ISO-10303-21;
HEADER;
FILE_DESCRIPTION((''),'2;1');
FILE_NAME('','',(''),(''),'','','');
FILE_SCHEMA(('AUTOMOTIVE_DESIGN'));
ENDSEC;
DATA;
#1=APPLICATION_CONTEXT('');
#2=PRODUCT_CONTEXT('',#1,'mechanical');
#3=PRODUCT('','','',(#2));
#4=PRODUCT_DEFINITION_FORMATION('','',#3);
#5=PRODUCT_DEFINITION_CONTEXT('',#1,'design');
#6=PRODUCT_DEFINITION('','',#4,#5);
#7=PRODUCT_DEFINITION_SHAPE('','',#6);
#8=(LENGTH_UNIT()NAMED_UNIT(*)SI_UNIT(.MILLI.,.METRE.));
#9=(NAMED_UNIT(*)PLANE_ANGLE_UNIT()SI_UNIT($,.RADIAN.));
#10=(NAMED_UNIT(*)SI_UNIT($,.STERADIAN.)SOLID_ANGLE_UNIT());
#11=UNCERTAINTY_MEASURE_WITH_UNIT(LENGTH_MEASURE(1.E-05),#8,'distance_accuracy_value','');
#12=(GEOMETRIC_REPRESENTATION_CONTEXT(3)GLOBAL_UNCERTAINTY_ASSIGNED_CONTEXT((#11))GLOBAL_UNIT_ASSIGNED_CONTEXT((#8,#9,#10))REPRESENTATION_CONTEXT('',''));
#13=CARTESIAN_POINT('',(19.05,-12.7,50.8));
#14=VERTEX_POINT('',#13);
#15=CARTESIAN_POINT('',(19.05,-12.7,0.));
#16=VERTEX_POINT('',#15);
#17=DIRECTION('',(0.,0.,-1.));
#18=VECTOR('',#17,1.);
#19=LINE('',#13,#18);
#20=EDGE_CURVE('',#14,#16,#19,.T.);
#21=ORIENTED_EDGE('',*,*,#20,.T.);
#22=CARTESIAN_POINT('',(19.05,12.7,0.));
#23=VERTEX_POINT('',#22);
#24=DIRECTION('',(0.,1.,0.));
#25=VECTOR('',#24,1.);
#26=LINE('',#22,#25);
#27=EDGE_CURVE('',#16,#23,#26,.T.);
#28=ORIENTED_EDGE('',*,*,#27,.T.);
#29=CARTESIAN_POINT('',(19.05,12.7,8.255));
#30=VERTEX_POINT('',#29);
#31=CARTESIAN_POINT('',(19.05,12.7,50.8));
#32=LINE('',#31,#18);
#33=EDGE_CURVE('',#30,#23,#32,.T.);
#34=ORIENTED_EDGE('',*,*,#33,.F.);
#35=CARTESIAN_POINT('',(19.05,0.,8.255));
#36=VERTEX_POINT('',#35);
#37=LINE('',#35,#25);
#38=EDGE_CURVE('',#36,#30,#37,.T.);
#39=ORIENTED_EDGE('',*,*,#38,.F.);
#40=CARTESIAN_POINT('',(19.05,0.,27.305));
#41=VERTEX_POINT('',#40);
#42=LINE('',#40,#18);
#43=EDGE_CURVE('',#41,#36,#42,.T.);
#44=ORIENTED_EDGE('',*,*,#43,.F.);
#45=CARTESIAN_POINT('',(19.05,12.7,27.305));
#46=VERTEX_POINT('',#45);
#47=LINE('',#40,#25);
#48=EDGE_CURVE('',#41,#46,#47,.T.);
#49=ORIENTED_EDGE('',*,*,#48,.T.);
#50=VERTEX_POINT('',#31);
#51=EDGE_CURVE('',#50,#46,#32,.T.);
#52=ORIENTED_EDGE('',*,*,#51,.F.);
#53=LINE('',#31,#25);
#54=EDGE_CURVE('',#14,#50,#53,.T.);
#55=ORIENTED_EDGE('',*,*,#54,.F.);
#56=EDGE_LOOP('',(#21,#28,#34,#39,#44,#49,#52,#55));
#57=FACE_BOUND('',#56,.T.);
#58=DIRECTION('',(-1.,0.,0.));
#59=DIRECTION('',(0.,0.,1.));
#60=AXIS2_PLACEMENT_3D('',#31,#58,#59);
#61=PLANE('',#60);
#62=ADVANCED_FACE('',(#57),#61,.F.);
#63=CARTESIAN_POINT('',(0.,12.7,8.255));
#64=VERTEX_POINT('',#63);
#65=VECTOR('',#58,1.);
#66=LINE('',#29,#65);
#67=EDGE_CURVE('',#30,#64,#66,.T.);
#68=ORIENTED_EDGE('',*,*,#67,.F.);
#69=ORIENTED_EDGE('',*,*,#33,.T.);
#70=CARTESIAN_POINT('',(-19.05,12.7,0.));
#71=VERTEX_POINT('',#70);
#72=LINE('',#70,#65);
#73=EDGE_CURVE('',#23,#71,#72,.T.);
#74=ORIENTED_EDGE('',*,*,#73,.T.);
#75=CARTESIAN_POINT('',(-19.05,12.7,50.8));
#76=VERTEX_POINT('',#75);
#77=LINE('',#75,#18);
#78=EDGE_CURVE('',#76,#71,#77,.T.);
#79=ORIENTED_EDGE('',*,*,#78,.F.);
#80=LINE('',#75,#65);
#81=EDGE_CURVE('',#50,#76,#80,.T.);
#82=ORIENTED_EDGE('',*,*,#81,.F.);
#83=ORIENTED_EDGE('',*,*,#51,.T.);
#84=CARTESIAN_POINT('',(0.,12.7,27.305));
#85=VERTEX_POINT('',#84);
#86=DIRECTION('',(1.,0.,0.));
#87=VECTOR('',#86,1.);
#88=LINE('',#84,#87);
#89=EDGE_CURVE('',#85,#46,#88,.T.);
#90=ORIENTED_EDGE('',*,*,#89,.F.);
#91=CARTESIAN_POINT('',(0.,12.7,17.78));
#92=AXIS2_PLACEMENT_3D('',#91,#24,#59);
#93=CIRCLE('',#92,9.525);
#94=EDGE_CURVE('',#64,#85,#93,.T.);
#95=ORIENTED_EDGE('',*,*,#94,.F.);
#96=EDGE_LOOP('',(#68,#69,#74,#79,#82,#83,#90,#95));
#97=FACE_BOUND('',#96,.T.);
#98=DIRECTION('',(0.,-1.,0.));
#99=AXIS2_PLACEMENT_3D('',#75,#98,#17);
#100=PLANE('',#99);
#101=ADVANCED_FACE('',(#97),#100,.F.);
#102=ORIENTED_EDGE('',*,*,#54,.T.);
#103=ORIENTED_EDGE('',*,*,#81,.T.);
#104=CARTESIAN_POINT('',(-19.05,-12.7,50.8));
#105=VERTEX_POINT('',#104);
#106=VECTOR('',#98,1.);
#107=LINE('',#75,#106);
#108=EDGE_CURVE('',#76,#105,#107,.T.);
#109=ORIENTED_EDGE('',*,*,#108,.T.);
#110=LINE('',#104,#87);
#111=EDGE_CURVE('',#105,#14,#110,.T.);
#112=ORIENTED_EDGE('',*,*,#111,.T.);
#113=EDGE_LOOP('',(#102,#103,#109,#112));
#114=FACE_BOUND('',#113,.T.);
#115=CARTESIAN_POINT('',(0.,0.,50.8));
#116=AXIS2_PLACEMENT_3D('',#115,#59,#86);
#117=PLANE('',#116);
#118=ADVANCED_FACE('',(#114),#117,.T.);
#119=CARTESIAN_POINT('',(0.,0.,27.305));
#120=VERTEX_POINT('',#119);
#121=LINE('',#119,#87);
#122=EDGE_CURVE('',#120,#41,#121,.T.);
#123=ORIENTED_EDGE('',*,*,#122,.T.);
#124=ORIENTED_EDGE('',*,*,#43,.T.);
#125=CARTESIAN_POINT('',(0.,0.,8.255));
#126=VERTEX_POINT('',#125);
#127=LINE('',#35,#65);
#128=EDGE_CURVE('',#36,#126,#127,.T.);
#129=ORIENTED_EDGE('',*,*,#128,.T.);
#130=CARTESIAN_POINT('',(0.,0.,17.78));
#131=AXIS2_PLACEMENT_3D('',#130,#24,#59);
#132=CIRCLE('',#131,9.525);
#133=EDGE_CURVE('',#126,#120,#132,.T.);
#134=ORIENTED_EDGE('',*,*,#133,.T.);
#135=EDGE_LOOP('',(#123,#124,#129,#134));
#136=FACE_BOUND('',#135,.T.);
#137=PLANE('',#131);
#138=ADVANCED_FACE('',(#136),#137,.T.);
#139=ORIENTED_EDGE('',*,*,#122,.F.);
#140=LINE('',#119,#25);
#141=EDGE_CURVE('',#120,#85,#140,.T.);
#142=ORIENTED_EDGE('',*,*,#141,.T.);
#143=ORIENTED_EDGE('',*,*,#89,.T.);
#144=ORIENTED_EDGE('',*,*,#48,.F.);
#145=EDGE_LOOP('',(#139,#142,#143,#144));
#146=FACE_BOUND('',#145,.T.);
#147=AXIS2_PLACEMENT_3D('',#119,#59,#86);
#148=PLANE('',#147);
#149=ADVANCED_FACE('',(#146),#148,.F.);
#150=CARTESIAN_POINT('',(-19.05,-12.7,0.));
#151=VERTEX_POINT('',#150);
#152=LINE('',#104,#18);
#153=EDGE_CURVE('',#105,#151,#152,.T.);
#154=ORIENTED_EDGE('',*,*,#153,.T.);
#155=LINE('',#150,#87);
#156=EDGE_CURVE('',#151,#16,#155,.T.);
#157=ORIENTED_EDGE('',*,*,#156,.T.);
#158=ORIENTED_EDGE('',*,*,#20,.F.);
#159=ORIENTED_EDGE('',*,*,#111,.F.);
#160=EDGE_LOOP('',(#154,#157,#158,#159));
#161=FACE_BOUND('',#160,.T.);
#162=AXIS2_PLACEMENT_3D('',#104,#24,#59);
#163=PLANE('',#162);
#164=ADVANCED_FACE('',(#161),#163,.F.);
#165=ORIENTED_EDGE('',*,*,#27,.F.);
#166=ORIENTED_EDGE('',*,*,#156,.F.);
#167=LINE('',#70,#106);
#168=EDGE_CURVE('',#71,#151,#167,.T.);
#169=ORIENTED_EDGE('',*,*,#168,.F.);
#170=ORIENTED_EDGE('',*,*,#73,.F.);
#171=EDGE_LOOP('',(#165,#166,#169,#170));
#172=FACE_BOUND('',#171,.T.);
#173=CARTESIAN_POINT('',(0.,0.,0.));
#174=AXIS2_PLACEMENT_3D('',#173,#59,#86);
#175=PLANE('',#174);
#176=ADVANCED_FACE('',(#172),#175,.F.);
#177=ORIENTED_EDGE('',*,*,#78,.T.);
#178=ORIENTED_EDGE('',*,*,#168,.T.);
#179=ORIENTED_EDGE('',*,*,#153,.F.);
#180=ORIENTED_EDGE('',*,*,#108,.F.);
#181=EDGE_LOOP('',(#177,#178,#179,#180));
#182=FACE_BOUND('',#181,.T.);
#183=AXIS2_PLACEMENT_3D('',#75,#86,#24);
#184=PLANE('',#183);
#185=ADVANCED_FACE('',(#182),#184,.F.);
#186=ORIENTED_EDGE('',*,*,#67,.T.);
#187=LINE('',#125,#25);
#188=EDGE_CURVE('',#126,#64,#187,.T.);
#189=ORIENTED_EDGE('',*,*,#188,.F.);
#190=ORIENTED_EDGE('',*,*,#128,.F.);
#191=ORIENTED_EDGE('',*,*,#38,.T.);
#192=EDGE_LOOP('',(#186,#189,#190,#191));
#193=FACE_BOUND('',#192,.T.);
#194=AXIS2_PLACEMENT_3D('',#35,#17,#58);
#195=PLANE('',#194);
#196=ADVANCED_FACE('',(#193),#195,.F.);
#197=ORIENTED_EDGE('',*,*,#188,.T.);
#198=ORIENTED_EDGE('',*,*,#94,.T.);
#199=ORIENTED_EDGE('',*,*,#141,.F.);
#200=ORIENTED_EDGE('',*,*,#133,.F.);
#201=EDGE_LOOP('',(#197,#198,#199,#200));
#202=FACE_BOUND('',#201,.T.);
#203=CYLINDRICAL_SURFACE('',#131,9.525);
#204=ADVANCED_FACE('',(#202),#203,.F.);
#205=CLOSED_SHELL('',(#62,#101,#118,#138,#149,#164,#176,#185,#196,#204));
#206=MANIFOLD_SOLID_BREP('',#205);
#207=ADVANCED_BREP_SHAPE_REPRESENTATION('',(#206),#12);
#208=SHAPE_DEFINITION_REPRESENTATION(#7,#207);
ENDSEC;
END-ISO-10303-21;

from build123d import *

# Parameters (mm, degrees)
SKETCH1_W           = 38.1
SKETCH1_H           = 25.4
BOSS_EXTRUDE1_DEPTH = 50.8
CUT_EXTRUDE1_DEPTH  = 12.7


with BuildPart() as part:
    # Sketch1 → Boss-Extrude1 (new body)
    with BuildSketch(Plane.XY):
        Rectangle(SKETCH1_W, SKETCH1_H)
    extrude(amount=BOSS_EXTRUDE1_DEPTH)

    # Sketch2 → Cut-Extrude1 (cut)
    with BuildSketch(Plane(origin=(0, 12.7, 0), x_dir=(1, 0, 0), z_dir=(0, 1, 0))):
        with BuildLine():
            Line((19.05, -8.255), (0, -8.255))
            ThreePointArc((0, -8.255), (-9.525, -17.78), (0, -27.305))
            Line((0, -27.305), (19.05, -27.305))
            Line((19.05, -27.305), (19.05, -8.255))
        make_face()
    extrude(amount=-CUT_EXTRUDE1_DEPTH, mode=Mode.SUBTRACT)


solid = part.part
